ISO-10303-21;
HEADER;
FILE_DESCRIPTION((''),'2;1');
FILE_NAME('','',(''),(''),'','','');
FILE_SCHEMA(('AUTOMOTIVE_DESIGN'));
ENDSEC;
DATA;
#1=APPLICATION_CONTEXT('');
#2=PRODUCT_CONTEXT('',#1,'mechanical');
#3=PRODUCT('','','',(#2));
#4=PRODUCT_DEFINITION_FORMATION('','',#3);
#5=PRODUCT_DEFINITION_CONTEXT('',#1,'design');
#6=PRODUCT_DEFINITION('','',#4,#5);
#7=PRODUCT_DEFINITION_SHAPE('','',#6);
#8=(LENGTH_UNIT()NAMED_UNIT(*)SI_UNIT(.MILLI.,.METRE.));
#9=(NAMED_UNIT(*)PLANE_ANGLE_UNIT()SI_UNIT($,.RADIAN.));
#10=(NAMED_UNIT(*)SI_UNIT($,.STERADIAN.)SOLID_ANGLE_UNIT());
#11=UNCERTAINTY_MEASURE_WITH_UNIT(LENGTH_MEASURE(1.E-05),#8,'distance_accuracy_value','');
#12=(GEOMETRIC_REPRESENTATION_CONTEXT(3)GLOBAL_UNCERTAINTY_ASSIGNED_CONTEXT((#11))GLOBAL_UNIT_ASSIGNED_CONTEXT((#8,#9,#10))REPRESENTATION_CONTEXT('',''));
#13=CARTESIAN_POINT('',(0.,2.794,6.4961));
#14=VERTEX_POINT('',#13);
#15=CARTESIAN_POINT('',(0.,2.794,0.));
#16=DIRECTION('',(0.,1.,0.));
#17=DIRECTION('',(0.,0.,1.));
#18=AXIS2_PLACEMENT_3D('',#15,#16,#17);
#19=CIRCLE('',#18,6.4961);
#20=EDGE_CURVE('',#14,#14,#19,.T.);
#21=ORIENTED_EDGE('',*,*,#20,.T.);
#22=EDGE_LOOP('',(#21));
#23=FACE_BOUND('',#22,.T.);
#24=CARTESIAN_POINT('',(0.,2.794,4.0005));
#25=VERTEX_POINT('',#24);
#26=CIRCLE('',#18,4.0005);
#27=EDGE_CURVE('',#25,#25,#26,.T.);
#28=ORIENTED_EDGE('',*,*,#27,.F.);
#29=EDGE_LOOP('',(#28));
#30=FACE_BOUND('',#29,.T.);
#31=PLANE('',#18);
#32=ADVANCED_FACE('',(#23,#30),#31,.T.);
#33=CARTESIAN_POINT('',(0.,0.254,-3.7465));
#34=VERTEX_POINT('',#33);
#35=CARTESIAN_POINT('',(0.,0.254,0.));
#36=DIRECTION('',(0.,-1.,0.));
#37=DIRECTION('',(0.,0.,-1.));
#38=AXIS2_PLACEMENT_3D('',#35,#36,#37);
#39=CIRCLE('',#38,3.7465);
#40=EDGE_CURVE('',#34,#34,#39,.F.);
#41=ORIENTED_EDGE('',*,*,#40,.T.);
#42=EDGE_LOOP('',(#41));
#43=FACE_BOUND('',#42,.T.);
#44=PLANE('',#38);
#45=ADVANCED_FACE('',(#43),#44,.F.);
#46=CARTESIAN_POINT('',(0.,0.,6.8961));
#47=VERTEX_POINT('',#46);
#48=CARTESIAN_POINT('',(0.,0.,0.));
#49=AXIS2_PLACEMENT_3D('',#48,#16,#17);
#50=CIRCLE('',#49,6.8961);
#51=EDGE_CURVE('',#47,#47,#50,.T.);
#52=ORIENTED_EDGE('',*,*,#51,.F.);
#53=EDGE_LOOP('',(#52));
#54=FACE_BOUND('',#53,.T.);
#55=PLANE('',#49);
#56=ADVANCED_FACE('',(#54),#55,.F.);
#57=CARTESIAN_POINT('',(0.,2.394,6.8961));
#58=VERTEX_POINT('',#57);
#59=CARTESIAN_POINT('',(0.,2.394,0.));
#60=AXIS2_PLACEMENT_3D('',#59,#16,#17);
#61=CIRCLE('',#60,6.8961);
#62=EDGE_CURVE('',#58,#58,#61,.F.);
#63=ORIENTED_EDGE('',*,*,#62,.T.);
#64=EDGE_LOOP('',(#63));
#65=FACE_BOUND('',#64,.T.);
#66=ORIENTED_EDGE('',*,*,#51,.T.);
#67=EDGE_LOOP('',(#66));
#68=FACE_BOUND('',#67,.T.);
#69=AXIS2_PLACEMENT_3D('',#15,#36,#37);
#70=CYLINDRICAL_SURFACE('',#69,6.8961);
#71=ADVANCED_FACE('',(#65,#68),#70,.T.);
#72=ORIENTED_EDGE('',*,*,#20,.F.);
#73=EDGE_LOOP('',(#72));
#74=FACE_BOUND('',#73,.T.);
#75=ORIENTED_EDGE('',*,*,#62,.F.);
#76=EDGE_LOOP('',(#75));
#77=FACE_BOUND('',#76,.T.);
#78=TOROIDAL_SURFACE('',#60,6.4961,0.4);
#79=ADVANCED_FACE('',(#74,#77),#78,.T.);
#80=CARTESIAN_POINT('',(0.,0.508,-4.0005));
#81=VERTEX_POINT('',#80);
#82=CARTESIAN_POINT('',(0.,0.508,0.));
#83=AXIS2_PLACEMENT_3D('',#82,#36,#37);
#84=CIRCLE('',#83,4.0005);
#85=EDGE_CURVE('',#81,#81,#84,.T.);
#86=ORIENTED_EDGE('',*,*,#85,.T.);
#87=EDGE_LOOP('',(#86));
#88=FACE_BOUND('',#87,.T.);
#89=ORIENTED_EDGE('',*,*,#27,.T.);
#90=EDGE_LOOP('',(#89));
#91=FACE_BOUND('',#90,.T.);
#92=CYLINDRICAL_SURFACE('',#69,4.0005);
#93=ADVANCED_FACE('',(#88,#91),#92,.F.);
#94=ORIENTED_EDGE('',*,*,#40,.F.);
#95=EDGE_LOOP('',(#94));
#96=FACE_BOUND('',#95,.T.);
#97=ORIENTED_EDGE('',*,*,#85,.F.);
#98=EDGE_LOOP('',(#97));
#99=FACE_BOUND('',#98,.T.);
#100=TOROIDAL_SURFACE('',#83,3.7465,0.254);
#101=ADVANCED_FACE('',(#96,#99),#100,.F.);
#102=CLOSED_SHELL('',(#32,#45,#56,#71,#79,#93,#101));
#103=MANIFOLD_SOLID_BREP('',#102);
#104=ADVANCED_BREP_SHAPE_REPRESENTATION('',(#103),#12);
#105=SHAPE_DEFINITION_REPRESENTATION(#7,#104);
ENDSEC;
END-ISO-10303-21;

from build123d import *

# Parameters (mm, degrees)
SKETCH1_R           = 6.8961
SKETCH1_R_2         = 4.0005
BOSS_EXTRUDE1_DEPTH = 2.794
SKETCH2_R           = 4.0005
BOSS_EXTRUDE2_DEPTH = 0.254
FILLET1_R           = 0.254
FILLET3_R           = 0.4


with BuildPart() as part:
    # Sketch1 → Boss-Extrude1 (new body)
    with BuildSketch(Plane(origin=(0, 0, 0), x_dir=(1, 0, 0), z_dir=(0, 1, 0))):
        with Locations(Location((0, 0, 0), (0, 0, 270))):
            Circle(SKETCH1_R)
        with Locations(Location((0, 0, 0), (0, 0, 270))):
            Circle(SKETCH1_R_2, mode=Mode.SUBTRACT)
    extrude(amount=BOSS_EXTRUDE1_DEPTH)

    # Sketch2 → Boss-Extrude2 (add)
    with BuildSketch(Plane.XZ):
        with Locations(Location((0, 0, 0), (0, 0, 270))):
            Circle(SKETCH2_R)
    extrude(amount=-BOSS_EXTRUDE2_DEPTH)

    # Fillet1
    fillet1_edges = [part.edges().sort_by_distance(p)[0] for p in [
        (0, 0.254, -4.0005),
    ]]
    fillet(fillet1_edges, radius=FILLET1_R)

    # Fillet3
    fillet3_edges = [part.edges().sort_by_distance(p)[0] for p in [
        (0, 2.794, -6.8961),
    ]]
    fillet(fillet3_edges, radius=FILLET3_R)


solid = part.part
